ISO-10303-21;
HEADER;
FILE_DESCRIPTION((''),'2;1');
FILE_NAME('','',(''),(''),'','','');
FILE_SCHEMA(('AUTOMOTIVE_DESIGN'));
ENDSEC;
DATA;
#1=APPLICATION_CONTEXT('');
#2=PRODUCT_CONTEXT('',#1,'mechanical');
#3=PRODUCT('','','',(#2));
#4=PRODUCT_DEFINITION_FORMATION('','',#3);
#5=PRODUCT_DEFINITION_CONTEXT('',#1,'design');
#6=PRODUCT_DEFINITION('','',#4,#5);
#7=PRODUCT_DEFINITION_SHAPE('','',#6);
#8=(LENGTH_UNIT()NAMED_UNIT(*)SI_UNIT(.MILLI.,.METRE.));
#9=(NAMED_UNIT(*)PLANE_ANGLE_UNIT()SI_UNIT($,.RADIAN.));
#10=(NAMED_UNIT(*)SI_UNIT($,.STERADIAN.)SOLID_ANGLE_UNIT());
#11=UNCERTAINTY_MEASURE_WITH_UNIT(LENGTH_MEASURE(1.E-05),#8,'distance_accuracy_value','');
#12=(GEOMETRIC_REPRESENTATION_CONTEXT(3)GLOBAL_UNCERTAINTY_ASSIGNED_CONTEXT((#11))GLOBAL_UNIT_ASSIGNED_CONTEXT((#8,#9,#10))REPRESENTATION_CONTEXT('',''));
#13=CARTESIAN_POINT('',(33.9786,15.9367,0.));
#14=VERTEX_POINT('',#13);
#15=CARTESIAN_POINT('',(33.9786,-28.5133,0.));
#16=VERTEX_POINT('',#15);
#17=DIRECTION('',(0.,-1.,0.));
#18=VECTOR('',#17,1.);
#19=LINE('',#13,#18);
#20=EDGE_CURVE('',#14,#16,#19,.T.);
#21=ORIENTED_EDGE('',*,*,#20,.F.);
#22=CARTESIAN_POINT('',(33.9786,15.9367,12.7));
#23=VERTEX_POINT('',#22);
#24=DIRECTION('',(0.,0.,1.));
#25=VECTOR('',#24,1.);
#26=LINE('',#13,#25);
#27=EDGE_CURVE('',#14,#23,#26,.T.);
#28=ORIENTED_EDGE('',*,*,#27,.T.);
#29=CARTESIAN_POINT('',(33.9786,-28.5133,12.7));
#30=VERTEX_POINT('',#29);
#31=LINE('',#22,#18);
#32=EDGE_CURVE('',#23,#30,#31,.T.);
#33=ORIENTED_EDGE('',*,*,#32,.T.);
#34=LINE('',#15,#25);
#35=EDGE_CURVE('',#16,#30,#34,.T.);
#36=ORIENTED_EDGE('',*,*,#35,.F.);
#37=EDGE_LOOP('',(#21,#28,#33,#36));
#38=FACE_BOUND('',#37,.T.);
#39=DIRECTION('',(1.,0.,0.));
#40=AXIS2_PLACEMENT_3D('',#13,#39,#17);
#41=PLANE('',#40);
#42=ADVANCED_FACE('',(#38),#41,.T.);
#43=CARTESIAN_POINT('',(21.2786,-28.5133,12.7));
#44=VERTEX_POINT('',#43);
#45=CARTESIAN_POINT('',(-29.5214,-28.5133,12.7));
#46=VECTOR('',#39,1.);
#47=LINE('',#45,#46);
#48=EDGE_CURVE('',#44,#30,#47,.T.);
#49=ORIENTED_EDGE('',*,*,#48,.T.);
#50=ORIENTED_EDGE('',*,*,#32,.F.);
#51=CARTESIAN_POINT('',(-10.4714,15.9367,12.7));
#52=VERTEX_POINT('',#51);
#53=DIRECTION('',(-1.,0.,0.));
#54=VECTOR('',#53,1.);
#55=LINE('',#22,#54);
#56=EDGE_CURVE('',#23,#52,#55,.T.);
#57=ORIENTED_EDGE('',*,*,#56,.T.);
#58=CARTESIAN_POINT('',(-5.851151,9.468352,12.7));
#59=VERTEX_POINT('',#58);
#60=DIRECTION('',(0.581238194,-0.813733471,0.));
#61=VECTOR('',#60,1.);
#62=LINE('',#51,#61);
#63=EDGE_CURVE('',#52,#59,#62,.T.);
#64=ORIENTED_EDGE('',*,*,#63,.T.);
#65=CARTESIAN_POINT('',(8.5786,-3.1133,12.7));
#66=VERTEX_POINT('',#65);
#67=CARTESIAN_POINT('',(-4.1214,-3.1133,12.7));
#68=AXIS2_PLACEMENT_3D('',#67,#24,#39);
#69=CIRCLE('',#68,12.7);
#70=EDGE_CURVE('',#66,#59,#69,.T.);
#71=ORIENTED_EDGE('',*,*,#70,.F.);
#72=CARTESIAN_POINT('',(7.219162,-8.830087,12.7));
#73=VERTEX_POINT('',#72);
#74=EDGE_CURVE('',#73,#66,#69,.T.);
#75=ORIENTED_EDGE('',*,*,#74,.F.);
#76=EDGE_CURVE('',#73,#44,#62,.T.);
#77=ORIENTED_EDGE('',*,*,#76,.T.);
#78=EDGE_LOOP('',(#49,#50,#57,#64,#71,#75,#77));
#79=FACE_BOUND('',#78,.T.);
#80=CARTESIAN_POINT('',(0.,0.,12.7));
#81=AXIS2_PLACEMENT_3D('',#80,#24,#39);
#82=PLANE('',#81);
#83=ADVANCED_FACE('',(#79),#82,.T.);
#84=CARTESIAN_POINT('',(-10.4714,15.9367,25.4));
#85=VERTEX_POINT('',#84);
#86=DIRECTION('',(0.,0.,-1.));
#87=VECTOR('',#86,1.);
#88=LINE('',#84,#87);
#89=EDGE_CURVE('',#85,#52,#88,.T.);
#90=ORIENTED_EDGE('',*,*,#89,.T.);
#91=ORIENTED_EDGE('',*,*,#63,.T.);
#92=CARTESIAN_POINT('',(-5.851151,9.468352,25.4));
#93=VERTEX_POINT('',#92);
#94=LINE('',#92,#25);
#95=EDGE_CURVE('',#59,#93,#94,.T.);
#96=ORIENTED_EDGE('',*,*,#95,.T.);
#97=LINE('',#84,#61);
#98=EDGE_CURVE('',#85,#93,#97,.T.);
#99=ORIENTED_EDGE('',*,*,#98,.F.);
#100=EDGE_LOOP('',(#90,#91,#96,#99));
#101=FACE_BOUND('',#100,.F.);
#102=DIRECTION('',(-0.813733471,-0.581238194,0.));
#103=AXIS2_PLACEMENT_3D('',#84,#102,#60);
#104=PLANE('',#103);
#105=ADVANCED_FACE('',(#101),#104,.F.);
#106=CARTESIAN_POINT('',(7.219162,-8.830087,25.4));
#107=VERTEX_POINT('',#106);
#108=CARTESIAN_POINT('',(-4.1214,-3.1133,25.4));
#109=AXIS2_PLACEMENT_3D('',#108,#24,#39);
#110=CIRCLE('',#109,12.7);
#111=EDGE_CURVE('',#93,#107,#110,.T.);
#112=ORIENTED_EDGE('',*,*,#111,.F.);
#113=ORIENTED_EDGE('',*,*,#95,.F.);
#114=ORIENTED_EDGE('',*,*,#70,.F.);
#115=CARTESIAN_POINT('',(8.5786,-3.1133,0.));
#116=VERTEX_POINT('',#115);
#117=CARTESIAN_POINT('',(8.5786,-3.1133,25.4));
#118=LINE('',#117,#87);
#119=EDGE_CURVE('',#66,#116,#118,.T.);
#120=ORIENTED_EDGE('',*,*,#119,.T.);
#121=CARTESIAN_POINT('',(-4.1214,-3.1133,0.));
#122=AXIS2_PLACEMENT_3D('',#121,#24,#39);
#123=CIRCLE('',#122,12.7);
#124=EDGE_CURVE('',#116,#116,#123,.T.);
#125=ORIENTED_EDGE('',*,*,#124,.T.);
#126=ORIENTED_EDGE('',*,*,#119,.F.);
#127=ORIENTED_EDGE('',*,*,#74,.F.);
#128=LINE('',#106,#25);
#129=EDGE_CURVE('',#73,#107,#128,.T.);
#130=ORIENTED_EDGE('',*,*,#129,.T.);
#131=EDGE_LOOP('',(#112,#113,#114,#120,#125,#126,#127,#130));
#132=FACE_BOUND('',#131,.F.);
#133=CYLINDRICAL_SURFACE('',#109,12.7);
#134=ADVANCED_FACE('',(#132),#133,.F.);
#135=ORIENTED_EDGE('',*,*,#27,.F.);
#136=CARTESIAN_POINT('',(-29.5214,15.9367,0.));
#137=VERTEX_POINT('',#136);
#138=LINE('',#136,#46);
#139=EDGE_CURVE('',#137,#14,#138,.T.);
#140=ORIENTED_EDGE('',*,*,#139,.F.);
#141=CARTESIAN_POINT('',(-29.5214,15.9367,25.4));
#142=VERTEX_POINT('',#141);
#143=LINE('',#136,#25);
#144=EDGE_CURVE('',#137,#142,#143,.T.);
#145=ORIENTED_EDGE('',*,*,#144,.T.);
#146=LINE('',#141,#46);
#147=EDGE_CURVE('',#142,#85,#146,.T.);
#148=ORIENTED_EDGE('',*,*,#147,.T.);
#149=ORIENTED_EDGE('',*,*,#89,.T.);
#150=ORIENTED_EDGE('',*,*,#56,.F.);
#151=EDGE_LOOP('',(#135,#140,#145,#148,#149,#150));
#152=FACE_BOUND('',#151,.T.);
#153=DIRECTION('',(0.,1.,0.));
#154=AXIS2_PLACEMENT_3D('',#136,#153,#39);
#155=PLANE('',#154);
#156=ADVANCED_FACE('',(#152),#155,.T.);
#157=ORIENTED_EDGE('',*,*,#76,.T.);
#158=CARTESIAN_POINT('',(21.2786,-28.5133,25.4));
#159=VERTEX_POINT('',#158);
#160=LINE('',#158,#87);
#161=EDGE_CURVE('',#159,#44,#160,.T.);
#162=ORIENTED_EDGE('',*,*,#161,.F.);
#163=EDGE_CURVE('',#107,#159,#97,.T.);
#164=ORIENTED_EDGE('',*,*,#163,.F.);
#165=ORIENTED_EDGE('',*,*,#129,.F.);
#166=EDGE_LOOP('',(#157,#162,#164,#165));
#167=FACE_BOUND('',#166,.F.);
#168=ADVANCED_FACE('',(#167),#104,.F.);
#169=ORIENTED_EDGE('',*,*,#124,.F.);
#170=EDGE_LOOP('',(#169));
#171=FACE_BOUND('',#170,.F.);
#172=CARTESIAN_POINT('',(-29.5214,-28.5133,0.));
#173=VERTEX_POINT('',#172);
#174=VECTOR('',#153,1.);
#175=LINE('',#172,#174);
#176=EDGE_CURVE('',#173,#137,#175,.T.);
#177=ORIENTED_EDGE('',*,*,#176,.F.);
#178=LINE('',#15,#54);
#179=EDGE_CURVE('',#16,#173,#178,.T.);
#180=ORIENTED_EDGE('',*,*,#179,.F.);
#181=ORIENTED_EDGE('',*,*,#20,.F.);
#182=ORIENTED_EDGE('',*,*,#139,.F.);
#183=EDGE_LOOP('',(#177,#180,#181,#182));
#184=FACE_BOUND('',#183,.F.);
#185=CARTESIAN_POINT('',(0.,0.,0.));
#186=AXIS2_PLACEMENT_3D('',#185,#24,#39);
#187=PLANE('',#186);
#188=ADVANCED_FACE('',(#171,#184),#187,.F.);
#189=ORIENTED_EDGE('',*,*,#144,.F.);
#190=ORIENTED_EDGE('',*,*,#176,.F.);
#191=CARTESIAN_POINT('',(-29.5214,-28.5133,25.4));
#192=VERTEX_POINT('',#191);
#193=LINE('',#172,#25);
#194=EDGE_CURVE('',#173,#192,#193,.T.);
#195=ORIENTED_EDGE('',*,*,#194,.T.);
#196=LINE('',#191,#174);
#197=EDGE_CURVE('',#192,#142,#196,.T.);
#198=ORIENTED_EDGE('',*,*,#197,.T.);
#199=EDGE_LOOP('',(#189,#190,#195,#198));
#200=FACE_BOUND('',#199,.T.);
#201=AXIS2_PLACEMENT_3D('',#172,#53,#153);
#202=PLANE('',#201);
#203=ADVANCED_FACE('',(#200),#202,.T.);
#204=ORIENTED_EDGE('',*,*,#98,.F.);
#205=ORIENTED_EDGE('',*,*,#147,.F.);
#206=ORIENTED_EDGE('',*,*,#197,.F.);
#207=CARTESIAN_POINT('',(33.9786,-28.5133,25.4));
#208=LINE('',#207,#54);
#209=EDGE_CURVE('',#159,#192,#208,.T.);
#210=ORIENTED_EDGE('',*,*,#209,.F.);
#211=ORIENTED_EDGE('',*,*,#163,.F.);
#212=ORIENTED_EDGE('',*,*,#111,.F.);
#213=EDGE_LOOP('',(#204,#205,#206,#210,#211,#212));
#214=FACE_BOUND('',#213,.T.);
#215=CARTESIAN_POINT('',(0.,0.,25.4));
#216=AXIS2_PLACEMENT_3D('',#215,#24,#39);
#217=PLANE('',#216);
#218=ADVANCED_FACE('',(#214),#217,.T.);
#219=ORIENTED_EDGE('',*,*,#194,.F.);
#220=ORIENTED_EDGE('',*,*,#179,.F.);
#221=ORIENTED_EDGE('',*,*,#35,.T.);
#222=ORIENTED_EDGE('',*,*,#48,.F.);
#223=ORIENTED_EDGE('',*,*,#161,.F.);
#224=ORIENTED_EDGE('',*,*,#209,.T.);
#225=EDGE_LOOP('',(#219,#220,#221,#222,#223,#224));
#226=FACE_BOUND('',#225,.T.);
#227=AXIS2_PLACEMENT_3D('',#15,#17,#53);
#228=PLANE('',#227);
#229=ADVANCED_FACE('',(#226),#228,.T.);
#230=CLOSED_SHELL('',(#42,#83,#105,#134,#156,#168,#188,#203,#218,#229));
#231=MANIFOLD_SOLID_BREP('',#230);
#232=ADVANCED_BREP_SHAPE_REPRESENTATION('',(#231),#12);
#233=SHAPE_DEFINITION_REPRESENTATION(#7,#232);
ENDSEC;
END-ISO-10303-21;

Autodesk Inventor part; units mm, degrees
ref_plane "YZ Plane" through (0, 0, 0) normal (1, 0, 0) x (0, 1, 0)
ref_plane "XZ Plane" through (0, 0, 0) normal (0, 1, 0) x (-1, 0, 0)
ref_plane "XY Plane" through (0, 0, 0) normal (0, 0, 1) x (1, 0, 0)
sketch "Sketch1" plane through (0, 0, 0) normal (0, 0, 1) x (1, 0, 0)
  line L0 (-29.5214, 15.9367) -> (33.9786, 15.9367)
  line L1 (33.9786, 15.9367) -> (33.9786, -28.5133)
  line L2 (33.9786, -28.5133) -> (-29.5214, -28.5133)
  line L3 (-29.5214, -28.5133) -> (-29.5214, 15.9367)
  point P0 (0, 0)
  dimension "d0" = 63.5
  dimension "d1" = 44.45
extrude "Extrusion1" add sketch "Sketch1" along normal blind 25.4
sketch "Sketch2" plane through (0, 0, 25.4) normal (0, 0, 1) x (1, 0, 0)
  line L0 (33.9786, 15.9367) -> (-29.5214, 15.9367) projected
  line L1 (-29.5214, -28.5133) -> (33.9786, -28.5133) projected
  line L2 (-10.4714, 15.9367) -> (33.9786, 15.9367)
  line L3 (33.9786, 15.9367) -> (33.9786, -28.5133)
  line L4 (-10.4714, 15.9367) -> (21.2786, -28.5133)
  point P0 (0, 0)
  dimension "d4" = 19.05
  dimension "d12" = 12.7
extrude "Extrusion2" cut sketch "Sketch2" against normal blind 12.7
sketch "Sketch3" plane through (0, 0, 25.4) normal (0, 0, 1) x (1, 0, 0)
  line L0 (33.9786, -28.5133) -> (-29.5214, -28.5133) projected
  line L1 (33.9786, -28.5133) -> (8.5786, -28.5133)
  circle A0 centre (-4.1214, -3.1133) radius 12.7
  line L2 (-29.5214, 15.9367) -> (-29.5214, -28.5133) projected
  point P0 (0, 0)
  dimension "d14" = 25.4
  dimension "d15" = 25.4
  dimension "d16" = 25.4
extrude "Extrusion3" cut sketch "Sketch3" against normal blind 25.4
